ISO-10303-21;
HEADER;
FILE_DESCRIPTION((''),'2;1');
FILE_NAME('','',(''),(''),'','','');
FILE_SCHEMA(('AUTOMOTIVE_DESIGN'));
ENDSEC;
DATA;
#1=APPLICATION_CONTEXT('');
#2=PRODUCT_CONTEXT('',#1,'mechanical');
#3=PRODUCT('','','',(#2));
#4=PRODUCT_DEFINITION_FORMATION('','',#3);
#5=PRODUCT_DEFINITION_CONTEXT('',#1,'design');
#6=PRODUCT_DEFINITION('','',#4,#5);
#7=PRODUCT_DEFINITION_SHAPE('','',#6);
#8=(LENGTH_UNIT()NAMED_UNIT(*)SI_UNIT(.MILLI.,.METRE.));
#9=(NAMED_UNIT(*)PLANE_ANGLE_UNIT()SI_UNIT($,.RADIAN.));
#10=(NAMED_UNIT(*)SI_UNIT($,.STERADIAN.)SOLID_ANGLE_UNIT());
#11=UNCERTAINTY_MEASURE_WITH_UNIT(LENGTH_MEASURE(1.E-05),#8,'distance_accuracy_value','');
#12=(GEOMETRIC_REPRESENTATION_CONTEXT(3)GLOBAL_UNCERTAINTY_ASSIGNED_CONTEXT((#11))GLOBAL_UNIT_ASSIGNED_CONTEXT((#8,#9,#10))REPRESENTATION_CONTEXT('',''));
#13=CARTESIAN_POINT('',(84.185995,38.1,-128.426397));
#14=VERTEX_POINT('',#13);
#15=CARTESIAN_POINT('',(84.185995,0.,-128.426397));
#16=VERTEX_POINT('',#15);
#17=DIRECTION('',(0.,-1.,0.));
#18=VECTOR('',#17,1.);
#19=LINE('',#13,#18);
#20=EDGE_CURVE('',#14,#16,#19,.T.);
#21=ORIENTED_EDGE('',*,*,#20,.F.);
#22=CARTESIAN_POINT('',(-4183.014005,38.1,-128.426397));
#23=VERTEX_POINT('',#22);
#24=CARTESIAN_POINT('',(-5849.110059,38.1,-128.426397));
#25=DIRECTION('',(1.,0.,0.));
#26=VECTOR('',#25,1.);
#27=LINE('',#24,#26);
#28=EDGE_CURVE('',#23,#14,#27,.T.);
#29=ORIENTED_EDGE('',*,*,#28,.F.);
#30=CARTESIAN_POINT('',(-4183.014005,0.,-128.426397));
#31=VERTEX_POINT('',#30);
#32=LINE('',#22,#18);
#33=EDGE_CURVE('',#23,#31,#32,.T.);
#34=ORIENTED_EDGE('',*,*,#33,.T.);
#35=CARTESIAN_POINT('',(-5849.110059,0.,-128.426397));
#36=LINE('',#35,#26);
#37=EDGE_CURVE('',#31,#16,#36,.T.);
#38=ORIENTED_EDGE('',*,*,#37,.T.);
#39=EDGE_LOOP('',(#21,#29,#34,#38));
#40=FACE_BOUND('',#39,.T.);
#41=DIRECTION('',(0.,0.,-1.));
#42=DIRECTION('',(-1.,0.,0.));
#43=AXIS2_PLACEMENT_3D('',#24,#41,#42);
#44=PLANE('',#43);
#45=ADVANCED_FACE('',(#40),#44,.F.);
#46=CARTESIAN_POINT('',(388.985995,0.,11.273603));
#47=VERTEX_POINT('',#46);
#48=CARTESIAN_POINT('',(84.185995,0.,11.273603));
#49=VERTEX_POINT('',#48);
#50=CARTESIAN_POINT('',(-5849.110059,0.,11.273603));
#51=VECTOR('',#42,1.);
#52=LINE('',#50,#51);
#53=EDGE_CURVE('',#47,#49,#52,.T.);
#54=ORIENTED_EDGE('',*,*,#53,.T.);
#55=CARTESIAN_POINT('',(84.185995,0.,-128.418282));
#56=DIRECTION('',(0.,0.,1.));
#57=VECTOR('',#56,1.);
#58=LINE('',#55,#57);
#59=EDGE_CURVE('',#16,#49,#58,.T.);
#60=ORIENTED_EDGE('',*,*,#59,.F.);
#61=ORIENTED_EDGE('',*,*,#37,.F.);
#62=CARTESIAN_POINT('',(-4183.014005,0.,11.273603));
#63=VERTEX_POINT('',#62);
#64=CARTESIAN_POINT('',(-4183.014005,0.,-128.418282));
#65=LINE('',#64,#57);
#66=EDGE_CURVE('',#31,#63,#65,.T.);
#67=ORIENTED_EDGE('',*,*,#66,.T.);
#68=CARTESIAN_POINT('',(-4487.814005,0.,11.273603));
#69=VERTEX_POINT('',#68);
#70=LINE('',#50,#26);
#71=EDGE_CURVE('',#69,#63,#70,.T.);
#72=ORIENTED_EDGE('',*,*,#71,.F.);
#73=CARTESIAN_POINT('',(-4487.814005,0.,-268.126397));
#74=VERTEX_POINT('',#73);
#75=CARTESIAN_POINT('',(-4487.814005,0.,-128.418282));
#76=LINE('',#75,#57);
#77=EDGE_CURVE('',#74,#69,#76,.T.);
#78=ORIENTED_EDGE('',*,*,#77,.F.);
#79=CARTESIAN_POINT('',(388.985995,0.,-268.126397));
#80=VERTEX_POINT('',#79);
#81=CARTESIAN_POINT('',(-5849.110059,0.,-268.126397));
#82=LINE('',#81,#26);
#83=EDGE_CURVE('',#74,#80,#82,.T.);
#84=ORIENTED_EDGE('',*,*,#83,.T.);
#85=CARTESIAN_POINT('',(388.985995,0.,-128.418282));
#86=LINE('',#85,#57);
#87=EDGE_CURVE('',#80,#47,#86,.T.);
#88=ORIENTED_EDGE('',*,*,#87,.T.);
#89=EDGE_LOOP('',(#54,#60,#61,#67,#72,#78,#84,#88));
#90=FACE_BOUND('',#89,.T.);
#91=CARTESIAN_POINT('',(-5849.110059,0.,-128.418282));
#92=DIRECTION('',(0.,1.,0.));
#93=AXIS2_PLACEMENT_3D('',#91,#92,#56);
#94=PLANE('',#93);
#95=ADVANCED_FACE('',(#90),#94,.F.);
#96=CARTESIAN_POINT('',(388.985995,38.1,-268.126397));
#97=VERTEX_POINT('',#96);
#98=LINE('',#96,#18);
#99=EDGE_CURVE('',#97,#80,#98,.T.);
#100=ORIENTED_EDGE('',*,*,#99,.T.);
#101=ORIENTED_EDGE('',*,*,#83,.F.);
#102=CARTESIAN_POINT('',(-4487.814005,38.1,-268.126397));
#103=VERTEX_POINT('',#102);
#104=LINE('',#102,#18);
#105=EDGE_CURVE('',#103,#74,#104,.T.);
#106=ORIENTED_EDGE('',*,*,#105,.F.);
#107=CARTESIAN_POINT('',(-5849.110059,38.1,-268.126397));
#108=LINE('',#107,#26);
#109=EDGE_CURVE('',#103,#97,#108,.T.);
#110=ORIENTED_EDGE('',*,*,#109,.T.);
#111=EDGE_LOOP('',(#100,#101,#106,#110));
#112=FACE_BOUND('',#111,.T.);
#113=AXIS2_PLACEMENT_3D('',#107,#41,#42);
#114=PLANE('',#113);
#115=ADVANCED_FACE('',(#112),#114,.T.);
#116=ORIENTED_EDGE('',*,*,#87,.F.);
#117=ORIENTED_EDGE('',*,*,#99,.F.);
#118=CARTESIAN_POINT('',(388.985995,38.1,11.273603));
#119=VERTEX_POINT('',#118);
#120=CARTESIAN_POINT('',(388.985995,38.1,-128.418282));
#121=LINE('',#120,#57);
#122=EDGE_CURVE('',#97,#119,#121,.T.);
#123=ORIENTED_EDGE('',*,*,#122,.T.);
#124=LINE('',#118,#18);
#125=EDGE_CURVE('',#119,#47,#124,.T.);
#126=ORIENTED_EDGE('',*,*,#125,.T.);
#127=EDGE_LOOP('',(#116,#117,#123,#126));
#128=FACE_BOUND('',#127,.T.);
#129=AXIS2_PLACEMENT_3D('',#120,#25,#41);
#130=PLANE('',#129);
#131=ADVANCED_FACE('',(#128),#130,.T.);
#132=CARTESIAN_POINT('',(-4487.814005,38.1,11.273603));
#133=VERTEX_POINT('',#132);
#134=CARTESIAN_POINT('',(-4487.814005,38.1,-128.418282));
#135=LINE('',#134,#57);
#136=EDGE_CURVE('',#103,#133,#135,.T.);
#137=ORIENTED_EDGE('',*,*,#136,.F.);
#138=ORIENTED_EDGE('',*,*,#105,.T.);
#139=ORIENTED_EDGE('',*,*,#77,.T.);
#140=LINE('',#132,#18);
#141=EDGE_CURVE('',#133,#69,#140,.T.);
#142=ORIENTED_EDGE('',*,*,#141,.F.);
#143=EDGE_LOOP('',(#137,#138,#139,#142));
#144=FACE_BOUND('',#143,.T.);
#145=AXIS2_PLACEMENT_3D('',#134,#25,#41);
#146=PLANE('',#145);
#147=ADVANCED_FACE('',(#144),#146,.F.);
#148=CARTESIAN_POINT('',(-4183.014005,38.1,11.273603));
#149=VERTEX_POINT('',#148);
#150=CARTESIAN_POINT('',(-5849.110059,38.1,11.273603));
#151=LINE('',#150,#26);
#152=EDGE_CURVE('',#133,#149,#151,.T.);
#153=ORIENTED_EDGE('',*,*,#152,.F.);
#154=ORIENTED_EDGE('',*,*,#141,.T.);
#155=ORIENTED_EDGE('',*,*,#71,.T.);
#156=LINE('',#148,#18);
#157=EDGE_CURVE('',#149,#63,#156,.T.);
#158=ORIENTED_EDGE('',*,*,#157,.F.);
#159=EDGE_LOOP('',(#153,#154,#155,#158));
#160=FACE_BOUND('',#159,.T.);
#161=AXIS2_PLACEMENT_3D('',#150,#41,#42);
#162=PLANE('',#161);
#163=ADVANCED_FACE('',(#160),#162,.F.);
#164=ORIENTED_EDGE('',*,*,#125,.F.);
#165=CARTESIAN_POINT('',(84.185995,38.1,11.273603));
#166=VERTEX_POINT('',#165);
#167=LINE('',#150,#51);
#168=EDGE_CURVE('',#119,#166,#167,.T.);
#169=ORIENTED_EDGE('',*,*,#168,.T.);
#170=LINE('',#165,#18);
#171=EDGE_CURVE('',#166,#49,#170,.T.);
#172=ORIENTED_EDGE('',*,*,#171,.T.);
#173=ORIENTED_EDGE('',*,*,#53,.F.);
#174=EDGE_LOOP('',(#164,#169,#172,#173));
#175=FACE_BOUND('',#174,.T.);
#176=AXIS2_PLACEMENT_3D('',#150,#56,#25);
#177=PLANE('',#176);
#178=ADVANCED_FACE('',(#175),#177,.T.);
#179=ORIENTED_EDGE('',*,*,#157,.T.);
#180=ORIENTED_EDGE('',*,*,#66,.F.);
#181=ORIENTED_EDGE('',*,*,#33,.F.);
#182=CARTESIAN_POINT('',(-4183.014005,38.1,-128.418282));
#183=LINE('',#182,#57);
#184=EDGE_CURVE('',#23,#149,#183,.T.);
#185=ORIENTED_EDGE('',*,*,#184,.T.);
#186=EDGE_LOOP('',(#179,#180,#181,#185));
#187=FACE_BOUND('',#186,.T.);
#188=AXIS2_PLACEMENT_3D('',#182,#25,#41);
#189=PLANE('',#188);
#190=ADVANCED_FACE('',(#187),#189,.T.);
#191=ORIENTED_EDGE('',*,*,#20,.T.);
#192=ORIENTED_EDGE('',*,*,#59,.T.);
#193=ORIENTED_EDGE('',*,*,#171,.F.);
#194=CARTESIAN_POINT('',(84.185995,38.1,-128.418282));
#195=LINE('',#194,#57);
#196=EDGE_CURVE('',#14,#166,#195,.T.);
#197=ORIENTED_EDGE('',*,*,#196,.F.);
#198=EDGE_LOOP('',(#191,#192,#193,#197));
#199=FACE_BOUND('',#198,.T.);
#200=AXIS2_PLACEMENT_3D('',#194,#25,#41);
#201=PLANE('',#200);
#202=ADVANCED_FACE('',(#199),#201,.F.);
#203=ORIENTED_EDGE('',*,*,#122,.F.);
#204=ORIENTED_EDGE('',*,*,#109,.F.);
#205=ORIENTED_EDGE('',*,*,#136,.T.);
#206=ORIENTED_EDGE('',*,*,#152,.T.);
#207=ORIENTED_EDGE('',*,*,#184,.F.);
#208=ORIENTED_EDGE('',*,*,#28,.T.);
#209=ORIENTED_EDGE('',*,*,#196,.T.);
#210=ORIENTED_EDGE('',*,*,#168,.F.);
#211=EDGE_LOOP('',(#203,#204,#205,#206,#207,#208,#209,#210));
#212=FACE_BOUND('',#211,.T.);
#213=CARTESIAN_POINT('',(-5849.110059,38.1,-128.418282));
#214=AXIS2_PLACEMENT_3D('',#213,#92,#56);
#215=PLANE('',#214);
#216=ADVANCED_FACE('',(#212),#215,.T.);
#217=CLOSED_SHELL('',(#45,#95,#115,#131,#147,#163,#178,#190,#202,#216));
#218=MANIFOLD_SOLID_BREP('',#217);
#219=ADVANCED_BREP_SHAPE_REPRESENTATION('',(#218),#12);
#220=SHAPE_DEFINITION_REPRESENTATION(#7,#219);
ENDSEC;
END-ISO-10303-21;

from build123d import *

# Parameters (mm, degrees)
SKETCH1_W           = 304.8
SKETCH1_H           = 139.7
SKETCH1_W_2         = 4876.8
BOSS_EXTRUDE1_DEPTH = 38.1


with BuildPart() as part:
    # Sketch1 → Boss-Extrude1 (new body)
    with BuildSketch(Plane(origin=(0, 0, 0), x_dir=(1, 0, 0), z_dir=(0, 1, 0))):
        with Locations((-4335.414005193, 58.576397217)):
            Rectangle(SKETCH1_W, SKETCH1_H)
        with Locations((-2049.414005193, 198.276397217)):
            Rectangle(SKETCH1_W_2, SKETCH1_H)
        with Locations((236.585994807, 58.576397217)):
            Rectangle(SKETCH1_W, SKETCH1_H)
    extrude(amount=BOSS_EXTRUDE1_DEPTH)


solid = part.part
